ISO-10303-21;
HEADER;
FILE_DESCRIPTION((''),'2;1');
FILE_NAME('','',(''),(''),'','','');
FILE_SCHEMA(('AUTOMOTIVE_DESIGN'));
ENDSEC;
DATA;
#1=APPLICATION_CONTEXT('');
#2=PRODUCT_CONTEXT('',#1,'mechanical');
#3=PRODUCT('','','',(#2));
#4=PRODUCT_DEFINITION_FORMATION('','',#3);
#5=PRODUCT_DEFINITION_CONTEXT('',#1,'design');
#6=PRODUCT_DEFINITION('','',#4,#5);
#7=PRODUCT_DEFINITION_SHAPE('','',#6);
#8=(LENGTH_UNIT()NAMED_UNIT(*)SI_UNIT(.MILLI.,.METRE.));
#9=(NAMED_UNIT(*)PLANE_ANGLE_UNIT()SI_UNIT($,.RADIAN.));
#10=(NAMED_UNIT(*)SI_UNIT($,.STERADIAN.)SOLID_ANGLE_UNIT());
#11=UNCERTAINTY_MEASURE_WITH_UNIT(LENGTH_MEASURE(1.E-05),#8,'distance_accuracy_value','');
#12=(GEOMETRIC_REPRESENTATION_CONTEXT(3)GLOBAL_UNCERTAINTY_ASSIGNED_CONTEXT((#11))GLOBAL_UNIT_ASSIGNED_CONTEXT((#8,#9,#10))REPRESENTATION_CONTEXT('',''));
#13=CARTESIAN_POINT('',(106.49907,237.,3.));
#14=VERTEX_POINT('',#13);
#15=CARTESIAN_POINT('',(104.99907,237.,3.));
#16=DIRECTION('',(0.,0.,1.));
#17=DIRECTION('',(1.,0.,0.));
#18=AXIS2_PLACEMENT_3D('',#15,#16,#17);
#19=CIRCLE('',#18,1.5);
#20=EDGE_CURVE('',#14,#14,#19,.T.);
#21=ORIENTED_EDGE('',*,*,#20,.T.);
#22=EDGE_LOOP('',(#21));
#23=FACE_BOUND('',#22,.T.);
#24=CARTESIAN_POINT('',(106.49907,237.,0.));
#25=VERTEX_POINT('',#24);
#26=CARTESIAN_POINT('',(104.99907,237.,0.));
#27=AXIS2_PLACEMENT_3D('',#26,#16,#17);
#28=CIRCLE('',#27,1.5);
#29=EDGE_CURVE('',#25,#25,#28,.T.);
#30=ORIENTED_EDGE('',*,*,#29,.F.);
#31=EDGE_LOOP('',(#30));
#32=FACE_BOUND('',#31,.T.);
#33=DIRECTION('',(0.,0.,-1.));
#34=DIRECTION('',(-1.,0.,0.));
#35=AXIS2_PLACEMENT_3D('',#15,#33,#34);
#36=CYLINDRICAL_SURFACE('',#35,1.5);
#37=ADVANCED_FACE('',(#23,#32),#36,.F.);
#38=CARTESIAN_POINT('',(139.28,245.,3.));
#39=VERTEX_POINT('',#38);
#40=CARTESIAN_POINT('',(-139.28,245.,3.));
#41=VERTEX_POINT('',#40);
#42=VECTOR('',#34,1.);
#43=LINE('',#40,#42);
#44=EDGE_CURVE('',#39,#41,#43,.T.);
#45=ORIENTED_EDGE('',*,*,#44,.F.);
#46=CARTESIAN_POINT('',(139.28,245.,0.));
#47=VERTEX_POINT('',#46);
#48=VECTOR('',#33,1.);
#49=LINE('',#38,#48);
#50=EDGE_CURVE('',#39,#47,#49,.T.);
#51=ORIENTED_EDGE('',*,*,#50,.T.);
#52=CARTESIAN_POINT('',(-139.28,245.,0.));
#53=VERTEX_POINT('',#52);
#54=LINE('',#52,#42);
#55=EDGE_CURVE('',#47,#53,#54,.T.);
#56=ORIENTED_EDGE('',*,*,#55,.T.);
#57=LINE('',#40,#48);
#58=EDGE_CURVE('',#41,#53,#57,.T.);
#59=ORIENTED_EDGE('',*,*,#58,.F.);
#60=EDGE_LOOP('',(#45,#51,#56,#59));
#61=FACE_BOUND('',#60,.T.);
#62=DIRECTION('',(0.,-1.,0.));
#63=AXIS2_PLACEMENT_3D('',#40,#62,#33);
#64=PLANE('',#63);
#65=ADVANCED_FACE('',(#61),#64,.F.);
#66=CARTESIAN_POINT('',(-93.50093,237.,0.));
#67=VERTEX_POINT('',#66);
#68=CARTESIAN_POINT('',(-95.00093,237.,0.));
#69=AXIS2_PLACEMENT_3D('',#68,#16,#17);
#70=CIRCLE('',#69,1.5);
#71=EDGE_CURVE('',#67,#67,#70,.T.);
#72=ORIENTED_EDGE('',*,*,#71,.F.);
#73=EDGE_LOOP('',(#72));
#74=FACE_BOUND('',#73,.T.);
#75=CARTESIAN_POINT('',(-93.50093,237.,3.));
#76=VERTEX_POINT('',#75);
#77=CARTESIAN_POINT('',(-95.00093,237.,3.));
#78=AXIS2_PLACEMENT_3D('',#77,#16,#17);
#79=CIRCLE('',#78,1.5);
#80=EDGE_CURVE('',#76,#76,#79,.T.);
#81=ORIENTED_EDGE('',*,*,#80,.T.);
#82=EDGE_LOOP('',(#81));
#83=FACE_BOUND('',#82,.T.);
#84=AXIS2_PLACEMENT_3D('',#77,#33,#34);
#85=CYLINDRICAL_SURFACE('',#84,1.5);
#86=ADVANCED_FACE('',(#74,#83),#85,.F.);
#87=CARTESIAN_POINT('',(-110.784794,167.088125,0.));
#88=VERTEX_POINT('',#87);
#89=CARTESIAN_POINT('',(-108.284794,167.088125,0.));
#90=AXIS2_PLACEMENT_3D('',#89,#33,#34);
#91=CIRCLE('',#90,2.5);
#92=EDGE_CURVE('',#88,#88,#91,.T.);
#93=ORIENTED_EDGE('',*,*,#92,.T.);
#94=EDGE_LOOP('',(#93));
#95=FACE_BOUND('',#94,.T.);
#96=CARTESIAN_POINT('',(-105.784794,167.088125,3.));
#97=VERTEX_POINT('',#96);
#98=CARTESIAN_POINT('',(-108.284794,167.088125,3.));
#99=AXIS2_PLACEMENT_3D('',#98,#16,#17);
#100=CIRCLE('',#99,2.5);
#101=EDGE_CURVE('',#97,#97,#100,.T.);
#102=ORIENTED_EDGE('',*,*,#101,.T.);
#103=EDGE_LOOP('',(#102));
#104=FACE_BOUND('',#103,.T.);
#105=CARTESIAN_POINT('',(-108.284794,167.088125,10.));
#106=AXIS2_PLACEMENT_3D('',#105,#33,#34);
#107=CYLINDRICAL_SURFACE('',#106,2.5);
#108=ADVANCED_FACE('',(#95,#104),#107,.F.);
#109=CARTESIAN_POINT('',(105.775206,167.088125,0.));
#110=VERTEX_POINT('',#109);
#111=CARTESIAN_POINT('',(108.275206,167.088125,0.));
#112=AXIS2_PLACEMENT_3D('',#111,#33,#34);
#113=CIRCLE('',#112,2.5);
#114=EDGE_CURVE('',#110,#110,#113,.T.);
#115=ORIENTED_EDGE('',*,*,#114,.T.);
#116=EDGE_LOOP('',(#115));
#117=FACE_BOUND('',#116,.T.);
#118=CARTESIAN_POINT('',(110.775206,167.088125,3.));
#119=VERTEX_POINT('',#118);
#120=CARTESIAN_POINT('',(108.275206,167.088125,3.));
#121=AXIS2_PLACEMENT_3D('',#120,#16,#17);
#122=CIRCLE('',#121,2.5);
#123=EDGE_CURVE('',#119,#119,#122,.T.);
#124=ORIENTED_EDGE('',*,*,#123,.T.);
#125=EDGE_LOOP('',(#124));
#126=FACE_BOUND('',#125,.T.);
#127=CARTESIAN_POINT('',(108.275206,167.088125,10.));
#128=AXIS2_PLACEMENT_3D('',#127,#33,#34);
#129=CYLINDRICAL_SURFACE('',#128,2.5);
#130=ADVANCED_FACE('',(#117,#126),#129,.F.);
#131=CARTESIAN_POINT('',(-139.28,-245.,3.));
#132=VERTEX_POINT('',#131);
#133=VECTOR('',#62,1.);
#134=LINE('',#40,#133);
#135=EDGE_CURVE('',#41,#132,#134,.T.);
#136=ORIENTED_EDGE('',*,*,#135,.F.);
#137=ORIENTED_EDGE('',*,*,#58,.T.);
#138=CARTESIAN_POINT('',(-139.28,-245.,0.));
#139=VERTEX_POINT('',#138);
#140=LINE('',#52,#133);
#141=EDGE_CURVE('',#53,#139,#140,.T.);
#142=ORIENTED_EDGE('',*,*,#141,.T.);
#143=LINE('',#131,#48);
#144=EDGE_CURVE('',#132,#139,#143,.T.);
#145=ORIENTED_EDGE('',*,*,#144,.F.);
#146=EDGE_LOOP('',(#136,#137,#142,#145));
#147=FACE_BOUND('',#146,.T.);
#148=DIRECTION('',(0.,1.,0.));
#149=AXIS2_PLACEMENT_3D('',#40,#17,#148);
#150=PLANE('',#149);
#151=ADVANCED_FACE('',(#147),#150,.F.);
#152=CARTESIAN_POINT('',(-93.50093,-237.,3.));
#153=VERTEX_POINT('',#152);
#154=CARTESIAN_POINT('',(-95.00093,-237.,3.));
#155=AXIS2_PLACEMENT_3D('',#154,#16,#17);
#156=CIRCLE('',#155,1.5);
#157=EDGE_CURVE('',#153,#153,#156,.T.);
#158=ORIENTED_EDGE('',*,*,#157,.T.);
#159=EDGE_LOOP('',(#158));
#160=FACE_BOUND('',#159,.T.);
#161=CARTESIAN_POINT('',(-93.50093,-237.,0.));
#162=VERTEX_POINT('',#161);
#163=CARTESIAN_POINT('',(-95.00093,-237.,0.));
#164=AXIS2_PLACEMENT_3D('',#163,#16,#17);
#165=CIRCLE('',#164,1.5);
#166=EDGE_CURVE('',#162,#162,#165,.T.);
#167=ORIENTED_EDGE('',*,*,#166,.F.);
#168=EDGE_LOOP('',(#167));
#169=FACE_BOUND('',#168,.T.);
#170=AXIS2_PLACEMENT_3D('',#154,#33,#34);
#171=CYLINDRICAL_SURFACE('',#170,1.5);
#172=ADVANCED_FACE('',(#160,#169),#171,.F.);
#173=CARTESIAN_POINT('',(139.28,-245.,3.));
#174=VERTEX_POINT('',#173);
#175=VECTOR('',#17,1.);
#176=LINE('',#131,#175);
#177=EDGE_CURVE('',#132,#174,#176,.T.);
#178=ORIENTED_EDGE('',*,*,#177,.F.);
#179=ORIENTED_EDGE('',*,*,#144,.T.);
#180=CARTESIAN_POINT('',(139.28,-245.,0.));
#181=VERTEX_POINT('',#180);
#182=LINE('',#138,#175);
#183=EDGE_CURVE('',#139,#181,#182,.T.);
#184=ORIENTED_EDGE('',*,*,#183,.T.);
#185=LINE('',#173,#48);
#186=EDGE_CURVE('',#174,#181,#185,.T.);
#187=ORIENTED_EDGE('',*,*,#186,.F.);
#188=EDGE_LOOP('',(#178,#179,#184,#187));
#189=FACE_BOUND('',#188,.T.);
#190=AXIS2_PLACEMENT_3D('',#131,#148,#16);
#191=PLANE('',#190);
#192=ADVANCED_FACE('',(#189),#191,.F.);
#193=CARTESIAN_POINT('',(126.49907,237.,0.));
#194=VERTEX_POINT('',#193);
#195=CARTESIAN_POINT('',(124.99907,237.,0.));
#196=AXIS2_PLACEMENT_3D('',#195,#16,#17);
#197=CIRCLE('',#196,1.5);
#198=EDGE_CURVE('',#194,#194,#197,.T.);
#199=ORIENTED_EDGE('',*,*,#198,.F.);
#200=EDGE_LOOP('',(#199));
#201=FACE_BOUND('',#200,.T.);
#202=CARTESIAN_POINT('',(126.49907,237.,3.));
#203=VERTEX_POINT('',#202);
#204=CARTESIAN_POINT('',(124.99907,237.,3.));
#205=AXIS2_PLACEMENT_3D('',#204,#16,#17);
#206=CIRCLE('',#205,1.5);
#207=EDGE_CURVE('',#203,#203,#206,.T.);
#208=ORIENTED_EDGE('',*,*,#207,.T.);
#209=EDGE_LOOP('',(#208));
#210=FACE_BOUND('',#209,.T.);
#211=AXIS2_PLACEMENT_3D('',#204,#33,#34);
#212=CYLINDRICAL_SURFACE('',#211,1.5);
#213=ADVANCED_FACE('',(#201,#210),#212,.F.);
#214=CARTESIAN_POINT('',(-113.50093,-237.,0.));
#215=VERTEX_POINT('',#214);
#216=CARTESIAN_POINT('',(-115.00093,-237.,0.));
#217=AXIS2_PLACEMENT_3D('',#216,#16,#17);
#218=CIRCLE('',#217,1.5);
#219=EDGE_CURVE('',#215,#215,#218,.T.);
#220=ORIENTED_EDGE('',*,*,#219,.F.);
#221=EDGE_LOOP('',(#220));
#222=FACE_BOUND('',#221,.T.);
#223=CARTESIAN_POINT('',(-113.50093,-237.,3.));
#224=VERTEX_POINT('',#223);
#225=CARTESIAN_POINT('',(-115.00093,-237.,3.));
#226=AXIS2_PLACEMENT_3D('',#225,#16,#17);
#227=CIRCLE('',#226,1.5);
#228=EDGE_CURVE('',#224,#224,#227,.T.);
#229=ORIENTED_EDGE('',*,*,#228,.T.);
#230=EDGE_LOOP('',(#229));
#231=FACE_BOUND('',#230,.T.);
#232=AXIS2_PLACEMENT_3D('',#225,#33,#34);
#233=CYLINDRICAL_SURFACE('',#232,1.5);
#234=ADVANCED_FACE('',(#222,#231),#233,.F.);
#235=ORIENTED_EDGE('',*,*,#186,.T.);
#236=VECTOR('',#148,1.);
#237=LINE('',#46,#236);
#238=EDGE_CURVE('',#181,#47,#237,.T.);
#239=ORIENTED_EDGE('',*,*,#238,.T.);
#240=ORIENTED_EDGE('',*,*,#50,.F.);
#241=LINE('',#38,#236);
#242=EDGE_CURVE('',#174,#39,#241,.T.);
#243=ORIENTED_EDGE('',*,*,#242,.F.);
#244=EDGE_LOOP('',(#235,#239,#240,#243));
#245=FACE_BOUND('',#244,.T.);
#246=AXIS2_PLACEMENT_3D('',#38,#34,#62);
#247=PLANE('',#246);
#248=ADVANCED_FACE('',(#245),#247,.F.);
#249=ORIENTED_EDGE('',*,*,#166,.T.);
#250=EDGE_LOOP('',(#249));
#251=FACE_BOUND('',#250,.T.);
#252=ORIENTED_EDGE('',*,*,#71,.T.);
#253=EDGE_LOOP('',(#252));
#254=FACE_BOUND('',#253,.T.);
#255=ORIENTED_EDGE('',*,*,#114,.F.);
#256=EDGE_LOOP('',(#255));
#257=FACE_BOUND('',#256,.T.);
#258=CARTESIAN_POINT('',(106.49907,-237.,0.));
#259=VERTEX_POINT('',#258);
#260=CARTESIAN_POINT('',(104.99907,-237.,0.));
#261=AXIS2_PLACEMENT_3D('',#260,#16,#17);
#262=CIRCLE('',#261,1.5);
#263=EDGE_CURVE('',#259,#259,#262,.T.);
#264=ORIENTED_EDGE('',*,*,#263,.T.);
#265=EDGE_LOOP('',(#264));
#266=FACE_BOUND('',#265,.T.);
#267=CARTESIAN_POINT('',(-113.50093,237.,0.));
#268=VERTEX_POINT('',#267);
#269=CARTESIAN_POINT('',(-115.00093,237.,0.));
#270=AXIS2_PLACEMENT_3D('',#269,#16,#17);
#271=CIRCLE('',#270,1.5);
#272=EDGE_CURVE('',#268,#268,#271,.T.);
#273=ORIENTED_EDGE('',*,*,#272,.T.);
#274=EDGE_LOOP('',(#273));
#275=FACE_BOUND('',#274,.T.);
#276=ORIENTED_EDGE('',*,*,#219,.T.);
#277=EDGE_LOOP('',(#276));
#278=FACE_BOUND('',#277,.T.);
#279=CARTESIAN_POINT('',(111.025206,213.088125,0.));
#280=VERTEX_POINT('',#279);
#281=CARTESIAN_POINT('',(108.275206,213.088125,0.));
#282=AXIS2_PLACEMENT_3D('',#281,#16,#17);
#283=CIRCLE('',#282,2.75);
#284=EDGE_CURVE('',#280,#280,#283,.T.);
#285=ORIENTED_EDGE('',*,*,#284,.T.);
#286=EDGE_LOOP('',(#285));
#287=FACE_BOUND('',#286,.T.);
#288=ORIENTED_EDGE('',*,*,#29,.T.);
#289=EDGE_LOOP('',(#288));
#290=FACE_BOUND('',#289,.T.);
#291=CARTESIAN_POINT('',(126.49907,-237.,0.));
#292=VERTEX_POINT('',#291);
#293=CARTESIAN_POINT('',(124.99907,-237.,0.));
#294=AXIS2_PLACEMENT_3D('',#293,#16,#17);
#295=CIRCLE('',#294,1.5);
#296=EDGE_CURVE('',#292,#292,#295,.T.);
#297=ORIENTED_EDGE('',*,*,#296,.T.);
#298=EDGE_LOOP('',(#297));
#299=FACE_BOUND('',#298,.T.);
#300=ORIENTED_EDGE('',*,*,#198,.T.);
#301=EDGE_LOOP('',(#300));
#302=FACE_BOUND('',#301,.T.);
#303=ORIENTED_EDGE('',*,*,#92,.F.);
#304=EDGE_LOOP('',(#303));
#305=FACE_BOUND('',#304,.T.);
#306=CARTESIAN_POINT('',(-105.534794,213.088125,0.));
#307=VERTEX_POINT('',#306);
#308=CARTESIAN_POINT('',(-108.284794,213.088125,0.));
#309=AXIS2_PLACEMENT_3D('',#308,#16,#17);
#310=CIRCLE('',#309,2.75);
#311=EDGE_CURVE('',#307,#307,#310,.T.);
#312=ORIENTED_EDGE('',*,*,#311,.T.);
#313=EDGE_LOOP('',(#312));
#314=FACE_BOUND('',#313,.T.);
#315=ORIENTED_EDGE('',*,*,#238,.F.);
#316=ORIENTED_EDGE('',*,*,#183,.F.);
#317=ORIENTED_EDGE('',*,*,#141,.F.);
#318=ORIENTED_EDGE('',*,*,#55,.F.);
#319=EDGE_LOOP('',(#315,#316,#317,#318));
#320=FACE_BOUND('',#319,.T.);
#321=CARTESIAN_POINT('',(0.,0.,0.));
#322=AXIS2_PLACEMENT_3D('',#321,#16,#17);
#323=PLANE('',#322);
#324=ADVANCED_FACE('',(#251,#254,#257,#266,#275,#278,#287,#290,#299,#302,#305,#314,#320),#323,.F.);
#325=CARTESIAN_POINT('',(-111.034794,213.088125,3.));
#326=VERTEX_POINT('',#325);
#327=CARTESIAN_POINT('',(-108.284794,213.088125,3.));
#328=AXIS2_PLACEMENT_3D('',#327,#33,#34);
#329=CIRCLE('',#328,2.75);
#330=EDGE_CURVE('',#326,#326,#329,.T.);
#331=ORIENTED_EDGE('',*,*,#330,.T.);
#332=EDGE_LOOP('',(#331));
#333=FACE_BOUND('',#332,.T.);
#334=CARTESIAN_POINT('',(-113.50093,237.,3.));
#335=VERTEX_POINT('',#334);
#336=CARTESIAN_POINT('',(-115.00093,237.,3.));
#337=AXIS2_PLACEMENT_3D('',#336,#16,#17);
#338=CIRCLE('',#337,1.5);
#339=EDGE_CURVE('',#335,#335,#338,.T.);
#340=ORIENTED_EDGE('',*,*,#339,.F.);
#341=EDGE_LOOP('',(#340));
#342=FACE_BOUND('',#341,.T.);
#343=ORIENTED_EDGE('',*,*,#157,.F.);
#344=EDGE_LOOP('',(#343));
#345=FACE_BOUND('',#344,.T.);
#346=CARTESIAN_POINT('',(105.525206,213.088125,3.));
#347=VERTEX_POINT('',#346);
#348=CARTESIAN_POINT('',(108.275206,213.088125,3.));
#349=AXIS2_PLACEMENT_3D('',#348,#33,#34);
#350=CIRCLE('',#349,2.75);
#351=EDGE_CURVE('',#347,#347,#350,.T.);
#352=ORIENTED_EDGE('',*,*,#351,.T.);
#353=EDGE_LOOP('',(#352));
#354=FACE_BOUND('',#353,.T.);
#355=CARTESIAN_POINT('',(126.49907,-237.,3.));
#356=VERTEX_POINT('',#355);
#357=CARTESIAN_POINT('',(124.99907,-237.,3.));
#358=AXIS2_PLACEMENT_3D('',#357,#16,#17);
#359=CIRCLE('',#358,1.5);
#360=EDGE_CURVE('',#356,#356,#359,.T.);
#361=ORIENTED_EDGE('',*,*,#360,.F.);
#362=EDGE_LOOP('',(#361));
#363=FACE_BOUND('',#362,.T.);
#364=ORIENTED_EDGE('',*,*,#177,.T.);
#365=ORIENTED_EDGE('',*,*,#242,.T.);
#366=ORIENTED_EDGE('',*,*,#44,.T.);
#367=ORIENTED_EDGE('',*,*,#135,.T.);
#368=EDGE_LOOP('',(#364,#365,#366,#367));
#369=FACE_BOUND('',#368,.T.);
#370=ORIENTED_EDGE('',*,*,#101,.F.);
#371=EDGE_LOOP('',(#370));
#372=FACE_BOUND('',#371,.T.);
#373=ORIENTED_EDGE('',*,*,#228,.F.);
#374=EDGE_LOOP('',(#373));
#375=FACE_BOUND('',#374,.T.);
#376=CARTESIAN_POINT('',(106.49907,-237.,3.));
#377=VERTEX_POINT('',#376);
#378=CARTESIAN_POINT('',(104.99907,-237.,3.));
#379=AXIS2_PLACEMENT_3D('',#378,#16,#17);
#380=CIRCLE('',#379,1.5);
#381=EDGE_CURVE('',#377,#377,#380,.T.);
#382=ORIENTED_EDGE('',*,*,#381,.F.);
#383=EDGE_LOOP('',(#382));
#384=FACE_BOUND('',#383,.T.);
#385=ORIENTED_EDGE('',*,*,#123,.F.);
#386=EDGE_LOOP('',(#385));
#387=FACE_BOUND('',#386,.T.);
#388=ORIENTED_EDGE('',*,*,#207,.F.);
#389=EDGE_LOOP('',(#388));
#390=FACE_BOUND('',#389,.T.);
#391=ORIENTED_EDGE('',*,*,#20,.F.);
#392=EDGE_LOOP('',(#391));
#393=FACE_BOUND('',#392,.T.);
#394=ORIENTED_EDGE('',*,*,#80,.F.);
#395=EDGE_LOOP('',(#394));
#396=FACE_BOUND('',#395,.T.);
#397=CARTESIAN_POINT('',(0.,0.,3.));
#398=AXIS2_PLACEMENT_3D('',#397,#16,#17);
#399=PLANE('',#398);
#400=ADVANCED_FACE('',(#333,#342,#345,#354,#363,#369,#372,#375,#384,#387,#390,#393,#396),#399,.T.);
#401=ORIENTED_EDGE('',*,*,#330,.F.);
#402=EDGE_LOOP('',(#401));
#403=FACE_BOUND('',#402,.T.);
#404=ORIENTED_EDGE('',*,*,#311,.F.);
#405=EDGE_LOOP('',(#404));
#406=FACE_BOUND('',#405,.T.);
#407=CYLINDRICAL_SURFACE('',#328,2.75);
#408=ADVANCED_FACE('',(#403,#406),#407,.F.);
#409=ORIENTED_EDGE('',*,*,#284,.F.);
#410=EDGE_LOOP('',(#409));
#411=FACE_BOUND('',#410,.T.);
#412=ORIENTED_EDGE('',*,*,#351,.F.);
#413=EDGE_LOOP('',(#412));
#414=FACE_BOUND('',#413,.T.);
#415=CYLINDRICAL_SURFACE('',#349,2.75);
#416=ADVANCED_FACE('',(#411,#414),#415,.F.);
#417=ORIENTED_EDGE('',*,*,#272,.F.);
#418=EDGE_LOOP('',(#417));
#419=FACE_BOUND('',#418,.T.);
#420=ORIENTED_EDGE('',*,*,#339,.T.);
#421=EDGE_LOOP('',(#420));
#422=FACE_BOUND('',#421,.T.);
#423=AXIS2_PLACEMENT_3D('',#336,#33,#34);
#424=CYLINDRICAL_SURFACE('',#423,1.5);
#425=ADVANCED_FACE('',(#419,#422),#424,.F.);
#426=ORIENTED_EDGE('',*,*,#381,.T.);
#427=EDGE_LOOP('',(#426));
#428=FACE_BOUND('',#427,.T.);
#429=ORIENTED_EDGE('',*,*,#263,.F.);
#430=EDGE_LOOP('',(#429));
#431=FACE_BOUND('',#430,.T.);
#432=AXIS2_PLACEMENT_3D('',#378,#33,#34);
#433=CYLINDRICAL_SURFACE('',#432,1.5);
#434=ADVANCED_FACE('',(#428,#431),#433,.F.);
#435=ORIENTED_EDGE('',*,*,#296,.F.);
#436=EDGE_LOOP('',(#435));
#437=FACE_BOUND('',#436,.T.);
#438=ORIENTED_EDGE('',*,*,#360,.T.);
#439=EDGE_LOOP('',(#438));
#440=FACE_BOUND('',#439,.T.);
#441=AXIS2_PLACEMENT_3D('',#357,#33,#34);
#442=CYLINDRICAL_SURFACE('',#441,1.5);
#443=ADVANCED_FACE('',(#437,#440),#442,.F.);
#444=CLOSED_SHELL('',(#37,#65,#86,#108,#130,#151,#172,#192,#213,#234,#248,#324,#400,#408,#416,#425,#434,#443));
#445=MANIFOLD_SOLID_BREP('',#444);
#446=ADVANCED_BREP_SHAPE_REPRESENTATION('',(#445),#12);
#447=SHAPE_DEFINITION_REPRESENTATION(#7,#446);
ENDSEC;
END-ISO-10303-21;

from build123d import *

# Parameters (mm, degrees)
SKETCH_1_W               = 278.56
SKETCH_1_H               = 490
SKETCH_1_R               = 1.5
EXTRUDE_1_DEPTH          = 3
SKETCH_2_R               = 2.5
CUT_EXTRUDE_1_DEPTH      = 10
SKETCH_3_R               = 2.75
CUT_EXTRUDE_2_DEPTH      = 1
CUT_EXTRUDE_2_DEPTH_BACK = 4


with BuildPart() as part:
    # 草图1 → 凸台-拉伸1 (new body)
    with BuildSketch(Plane.XY):
        Rectangle(SKETCH_1_W, SKETCH_1_H)
        with Locations((104.999070074, 237)):
            Circle(SKETCH_1_R, mode=Mode.SUBTRACT)
        with Locations((124.999070074, 237)):
            Circle(SKETCH_1_R, mode=Mode.SUBTRACT)
        with Locations((-95.000929926, 237)):
            Circle(SKETCH_1_R, mode=Mode.SUBTRACT)
        with Locations((-115.000929926, 237)):
            Circle(SKETCH_1_R, mode=Mode.SUBTRACT)
        with Locations((124.999070074, -237)):
            Circle(SKETCH_1_R, mode=Mode.SUBTRACT)
        with Locations((104.999070074, -237)):
            Circle(SKETCH_1_R, mode=Mode.SUBTRACT)
        with Locations((-95.000929926, -237)):
            Circle(SKETCH_1_R, mode=Mode.SUBTRACT)
        with Locations((-115.000929926, -237)):
            Circle(SKETCH_1_R, mode=Mode.SUBTRACT)
    extrude(amount=EXTRUDE_1_DEPTH)

    # 草图2 → 切除-拉伸1 (cut)
    with BuildSketch(Plane(origin=(0, 0, 0), x_dir=(-1, 0, 0), z_dir=(0, 0, -1))):
        with Locations((-108.275205997, 167.088125342)):
            Circle(SKETCH_2_R)
        with Locations((108.284794003, 167.088125342)):
            Circle(SKETCH_2_R)
    extrude(amount=-CUT_EXTRUDE_1_DEPTH, mode=Mode.SUBTRACT)

    # 草图3 → 切除-拉伸2 (cut, two sides)
    with BuildSketch(Plane(origin=(0, 0, 0), x_dir=(-1, 0, 0), z_dir=(0, 0, -1))) as cut_extrude_2_sk:
        with Locations((108.284794003, 213.088125342)):
            Circle(SKETCH_3_R)
        with Locations((-108.275205997, 213.088125342)):
            Circle(SKETCH_3_R)
    extrude(amount=CUT_EXTRUDE_2_DEPTH, mode=Mode.SUBTRACT)
    extrude(cut_extrude_2_sk.sketch, amount=-CUT_EXTRUDE_2_DEPTH_BACK, mode=Mode.SUBTRACT)


solid = part.part
